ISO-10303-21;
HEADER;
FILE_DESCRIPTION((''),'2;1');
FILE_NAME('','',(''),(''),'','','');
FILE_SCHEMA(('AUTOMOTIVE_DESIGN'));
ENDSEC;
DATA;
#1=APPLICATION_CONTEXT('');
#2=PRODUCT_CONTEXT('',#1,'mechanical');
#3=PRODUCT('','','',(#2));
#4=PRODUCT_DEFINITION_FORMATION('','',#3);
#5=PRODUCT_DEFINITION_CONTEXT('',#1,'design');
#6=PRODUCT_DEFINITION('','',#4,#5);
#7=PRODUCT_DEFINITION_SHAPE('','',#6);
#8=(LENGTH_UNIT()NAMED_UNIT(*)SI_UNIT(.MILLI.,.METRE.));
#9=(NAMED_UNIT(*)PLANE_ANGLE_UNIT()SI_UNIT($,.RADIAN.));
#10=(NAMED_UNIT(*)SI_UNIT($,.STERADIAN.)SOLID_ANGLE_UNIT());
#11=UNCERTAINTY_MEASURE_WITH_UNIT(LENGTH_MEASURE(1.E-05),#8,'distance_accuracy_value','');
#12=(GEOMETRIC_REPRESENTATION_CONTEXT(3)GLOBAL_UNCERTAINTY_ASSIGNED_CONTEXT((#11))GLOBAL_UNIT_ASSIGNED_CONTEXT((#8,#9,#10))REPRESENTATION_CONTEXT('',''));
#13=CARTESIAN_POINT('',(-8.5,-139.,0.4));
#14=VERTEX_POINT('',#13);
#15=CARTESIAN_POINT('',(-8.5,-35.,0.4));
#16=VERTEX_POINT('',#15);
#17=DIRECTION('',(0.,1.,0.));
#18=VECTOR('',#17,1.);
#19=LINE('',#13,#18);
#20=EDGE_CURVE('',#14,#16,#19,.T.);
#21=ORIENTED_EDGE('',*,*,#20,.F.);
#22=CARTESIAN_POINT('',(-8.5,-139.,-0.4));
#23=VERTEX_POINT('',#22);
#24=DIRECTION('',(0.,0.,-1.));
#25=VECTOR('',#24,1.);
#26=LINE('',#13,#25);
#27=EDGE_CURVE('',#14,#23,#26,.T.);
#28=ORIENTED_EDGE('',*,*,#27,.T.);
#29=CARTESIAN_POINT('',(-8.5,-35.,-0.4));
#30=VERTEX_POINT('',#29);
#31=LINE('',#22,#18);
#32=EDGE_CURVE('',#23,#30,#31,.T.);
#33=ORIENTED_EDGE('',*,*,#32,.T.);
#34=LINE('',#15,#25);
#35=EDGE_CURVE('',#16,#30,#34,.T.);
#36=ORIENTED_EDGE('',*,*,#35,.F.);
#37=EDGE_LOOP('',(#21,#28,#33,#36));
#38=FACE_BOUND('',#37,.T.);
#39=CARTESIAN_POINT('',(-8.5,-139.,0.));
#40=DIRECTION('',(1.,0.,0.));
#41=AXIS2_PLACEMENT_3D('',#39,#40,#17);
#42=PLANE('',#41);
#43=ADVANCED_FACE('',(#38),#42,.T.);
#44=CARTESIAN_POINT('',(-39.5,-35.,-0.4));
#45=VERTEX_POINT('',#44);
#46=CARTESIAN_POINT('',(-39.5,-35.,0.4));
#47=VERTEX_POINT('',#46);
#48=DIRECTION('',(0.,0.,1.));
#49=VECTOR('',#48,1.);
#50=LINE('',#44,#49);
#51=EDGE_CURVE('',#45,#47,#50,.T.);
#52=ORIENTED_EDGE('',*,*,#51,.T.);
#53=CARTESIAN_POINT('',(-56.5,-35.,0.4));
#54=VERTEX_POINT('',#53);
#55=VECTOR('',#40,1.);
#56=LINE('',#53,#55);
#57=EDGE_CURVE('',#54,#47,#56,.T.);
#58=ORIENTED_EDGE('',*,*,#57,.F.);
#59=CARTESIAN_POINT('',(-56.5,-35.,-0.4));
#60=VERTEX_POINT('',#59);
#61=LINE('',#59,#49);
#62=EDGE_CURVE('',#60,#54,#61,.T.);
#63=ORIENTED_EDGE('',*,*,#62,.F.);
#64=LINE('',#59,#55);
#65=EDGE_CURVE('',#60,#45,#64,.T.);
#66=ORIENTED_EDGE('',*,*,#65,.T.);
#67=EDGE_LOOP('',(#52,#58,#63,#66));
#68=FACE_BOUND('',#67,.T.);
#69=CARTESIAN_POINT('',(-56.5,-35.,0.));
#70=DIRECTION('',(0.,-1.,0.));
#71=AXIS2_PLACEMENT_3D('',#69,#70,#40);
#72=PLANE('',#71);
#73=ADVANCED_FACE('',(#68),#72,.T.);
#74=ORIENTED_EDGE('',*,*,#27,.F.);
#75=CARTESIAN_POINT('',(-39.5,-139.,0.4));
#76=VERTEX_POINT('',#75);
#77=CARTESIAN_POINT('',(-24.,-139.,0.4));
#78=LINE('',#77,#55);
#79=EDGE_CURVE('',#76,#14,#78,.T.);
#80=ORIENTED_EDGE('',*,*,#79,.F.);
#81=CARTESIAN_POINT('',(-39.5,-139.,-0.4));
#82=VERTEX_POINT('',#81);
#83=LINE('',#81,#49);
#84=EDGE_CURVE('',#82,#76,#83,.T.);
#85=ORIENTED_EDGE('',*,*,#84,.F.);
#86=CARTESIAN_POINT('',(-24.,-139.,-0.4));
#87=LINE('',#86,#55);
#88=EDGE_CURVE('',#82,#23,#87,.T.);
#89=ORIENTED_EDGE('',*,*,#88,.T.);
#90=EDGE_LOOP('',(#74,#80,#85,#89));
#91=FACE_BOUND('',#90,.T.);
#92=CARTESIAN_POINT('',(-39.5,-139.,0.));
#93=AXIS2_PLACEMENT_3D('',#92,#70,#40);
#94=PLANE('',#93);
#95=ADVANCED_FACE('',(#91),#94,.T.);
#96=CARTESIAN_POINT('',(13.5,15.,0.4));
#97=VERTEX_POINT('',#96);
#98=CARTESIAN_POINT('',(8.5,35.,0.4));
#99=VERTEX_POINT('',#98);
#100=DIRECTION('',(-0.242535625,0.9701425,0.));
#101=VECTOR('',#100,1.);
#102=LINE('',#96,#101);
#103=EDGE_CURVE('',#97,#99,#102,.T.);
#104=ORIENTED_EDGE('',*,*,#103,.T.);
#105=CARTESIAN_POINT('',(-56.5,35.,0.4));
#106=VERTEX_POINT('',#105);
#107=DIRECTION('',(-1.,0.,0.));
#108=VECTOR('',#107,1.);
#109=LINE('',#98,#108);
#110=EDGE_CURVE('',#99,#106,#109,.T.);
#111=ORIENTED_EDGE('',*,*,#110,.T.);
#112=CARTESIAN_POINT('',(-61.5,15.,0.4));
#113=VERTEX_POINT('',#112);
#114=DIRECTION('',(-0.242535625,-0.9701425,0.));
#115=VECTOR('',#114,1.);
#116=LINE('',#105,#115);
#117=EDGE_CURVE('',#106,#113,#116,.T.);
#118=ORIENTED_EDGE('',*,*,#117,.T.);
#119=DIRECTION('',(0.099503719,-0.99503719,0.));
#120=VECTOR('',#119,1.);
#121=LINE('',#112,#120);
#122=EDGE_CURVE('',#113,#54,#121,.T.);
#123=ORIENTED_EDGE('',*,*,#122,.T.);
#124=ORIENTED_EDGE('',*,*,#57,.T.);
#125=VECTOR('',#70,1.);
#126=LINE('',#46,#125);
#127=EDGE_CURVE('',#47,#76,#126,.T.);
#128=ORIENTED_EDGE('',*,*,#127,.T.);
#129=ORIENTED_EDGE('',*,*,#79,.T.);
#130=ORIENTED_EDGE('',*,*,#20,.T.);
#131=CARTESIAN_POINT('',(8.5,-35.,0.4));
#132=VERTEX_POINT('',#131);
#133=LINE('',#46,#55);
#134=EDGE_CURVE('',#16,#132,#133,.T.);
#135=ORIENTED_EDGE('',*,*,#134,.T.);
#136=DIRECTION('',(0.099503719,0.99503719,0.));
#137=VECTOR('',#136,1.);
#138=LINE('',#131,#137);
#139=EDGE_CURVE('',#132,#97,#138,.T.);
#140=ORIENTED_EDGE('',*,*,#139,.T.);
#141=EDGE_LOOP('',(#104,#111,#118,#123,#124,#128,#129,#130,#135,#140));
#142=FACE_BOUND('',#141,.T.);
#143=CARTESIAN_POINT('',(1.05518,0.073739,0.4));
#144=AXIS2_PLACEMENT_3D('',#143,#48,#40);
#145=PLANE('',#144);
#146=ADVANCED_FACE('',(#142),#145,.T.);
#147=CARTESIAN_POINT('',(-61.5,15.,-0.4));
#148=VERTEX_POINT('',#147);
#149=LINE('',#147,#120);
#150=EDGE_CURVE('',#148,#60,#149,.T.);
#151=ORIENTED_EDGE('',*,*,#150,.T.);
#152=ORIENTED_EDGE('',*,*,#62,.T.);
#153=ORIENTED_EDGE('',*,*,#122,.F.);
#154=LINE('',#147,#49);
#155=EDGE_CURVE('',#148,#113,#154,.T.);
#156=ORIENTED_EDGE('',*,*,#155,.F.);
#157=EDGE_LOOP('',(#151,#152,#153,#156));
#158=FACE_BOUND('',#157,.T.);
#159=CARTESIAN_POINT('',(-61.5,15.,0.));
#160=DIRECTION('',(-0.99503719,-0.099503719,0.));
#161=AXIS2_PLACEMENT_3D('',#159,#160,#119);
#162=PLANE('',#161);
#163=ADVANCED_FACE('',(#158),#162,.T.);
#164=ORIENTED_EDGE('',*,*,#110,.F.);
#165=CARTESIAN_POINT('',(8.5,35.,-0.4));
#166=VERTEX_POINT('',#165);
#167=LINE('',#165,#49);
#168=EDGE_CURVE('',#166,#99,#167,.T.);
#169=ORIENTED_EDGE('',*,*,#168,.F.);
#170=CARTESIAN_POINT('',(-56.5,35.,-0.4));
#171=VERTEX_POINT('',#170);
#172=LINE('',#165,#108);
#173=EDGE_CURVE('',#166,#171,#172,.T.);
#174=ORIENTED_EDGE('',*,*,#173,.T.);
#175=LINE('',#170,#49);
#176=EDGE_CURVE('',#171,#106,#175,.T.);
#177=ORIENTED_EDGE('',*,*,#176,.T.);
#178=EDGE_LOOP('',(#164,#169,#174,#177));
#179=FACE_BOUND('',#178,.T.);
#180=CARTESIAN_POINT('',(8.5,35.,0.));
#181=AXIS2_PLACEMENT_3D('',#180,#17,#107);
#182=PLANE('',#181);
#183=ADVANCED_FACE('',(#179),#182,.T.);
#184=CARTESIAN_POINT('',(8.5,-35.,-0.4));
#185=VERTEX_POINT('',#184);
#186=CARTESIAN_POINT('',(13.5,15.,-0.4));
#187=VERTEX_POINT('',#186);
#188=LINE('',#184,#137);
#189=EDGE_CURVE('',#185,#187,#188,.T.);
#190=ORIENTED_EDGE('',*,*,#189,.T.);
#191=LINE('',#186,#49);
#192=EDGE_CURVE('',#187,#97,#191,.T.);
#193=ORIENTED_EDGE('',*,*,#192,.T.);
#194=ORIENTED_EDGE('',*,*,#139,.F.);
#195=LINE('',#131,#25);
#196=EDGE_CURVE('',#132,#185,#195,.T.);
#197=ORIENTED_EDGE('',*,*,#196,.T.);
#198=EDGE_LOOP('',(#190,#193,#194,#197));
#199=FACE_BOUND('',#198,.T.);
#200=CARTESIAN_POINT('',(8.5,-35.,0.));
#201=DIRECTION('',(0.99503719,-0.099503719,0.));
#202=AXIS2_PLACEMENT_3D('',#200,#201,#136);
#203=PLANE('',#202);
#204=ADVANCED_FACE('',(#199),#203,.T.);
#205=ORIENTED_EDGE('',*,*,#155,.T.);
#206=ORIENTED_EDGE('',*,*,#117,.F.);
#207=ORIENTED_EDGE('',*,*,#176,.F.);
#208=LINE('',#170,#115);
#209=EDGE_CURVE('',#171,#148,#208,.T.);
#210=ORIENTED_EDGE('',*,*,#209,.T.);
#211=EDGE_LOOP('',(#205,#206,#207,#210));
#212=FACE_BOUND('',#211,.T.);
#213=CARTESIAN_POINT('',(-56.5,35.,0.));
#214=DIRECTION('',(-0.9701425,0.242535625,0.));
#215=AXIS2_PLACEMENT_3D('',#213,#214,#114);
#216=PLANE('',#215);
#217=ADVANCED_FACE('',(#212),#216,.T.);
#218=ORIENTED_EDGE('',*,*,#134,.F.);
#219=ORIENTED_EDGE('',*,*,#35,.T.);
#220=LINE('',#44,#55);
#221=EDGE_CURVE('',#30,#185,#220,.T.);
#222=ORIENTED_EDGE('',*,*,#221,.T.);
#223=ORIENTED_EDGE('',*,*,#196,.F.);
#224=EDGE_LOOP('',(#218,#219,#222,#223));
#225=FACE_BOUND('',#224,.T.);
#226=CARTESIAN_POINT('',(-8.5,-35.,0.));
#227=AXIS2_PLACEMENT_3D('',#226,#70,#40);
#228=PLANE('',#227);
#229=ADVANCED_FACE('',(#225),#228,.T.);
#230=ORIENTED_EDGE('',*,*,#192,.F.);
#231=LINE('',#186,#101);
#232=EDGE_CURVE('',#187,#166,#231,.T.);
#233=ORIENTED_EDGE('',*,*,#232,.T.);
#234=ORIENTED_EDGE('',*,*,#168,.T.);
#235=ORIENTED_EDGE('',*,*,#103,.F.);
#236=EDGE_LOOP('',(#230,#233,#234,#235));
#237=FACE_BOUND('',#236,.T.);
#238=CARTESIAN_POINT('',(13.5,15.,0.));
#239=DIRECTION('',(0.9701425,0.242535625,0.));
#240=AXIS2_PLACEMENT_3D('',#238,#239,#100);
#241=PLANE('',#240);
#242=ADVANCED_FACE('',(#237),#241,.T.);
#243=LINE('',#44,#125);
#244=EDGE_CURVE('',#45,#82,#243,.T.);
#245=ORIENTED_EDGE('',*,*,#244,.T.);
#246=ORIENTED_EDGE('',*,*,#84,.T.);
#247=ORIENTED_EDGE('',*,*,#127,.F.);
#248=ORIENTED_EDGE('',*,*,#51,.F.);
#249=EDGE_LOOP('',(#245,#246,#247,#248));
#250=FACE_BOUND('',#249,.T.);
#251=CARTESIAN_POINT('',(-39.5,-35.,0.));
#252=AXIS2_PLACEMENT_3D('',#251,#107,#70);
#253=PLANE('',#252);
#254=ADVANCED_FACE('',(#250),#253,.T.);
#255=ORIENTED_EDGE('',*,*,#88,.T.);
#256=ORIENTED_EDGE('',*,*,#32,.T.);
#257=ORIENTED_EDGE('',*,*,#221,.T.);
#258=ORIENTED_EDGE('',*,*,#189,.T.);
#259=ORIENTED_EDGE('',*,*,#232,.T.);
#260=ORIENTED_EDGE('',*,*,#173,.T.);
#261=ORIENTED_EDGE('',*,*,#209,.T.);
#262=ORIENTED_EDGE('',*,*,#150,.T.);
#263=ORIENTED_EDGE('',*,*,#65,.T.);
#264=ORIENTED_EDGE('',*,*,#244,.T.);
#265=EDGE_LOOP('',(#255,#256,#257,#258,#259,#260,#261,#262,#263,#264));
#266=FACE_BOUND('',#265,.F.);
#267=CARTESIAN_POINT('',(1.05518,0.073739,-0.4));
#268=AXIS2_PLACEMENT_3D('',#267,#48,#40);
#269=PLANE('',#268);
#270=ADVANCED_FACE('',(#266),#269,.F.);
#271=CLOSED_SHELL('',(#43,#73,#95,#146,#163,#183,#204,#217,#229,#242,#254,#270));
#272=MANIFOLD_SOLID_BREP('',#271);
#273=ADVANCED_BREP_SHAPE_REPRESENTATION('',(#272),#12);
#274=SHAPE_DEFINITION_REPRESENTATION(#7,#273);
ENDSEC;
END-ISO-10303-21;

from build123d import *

# Parameters (mm, degrees)
F0_W     = 31
F0_H     = 70
F0_H_2   = 17
F0_H_3   = 50
F0_H_4   = 20
F1_DEPTH = 0.4


with BuildPart() as f1:
    # F0 (on Top) → F1 (new body, symmetric)
    with BuildSketch(Plane.XY):
        Polygon((-8.5, -35), (8.5, -35), (13.5, 15), (8.5, 35), (-8.5, 35), align=None)
        with Locations((-24, 0)):
            Rectangle(F0_W, F0_H)
        with Locations((-24, -43.5)):
            Rectangle(F0_W, F0_H_2)
        Polygon((-56.5, -35), (-39.5, -35), (-39.5, 35), (-56.5, 35), (-61.5, 15), align=None)
        with Locations((-24, -77)):
            Rectangle(F0_W, F0_H_3)
        with Locations((-24, -112)):
            Rectangle(F0_W, F0_H_4)
        with Locations((-24, -130.5)):
            Rectangle(F0_W, F0_H_2)
    extrude(amount=F1_DEPTH, both=True)


solid = f1.part
